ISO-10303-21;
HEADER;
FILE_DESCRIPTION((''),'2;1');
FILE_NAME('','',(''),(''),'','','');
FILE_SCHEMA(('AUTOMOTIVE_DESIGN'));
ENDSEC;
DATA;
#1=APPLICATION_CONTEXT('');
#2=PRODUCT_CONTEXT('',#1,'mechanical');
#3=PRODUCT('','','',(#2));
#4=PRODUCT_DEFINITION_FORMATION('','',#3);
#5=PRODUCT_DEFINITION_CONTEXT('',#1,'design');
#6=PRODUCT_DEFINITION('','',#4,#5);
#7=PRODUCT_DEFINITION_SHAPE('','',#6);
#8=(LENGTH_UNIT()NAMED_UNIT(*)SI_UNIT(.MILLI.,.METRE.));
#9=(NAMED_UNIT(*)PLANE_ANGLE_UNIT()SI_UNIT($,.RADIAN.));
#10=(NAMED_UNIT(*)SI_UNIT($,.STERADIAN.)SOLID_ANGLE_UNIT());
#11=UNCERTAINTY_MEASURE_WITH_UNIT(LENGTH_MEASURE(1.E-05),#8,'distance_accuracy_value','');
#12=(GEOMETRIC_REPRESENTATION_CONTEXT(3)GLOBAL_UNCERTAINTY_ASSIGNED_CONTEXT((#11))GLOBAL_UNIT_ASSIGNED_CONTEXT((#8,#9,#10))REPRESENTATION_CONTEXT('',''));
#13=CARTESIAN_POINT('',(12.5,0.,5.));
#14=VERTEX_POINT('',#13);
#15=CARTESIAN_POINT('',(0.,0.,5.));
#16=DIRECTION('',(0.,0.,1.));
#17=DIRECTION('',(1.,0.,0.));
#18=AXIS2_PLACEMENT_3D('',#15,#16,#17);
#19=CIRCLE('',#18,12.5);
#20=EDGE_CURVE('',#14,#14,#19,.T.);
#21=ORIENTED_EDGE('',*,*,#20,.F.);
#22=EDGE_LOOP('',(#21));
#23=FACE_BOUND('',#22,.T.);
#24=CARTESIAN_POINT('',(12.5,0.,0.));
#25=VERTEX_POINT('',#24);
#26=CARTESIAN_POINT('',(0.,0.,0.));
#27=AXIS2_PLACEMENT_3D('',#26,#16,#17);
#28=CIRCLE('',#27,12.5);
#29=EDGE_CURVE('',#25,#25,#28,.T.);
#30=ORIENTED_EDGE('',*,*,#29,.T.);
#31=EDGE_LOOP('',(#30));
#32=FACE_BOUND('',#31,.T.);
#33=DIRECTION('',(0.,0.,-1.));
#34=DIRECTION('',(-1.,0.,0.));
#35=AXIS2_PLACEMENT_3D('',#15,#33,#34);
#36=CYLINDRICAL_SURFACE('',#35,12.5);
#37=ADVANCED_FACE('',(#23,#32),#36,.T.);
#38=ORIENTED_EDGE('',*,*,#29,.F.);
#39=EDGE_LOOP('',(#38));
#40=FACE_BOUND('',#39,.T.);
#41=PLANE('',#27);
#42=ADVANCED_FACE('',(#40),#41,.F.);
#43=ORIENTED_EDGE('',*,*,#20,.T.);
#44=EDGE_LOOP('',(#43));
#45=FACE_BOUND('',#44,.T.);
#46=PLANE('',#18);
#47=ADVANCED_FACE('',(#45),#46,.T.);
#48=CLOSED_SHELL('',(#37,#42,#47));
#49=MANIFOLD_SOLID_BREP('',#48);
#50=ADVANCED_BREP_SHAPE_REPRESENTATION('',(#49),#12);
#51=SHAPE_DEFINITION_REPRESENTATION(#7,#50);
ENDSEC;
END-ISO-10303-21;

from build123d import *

# Parameters (mm, degrees)
SKETCH_1_R      = 12.5
EXTRUDE_1_DEPTH = 5


with BuildPart() as part:
    # 草图1 → 凸台-拉伸1 (new body)
    with BuildSketch(Plane.XY):
        Circle(SKETCH_1_R)
    extrude(amount=EXTRUDE_1_DEPTH)


solid = part.part
